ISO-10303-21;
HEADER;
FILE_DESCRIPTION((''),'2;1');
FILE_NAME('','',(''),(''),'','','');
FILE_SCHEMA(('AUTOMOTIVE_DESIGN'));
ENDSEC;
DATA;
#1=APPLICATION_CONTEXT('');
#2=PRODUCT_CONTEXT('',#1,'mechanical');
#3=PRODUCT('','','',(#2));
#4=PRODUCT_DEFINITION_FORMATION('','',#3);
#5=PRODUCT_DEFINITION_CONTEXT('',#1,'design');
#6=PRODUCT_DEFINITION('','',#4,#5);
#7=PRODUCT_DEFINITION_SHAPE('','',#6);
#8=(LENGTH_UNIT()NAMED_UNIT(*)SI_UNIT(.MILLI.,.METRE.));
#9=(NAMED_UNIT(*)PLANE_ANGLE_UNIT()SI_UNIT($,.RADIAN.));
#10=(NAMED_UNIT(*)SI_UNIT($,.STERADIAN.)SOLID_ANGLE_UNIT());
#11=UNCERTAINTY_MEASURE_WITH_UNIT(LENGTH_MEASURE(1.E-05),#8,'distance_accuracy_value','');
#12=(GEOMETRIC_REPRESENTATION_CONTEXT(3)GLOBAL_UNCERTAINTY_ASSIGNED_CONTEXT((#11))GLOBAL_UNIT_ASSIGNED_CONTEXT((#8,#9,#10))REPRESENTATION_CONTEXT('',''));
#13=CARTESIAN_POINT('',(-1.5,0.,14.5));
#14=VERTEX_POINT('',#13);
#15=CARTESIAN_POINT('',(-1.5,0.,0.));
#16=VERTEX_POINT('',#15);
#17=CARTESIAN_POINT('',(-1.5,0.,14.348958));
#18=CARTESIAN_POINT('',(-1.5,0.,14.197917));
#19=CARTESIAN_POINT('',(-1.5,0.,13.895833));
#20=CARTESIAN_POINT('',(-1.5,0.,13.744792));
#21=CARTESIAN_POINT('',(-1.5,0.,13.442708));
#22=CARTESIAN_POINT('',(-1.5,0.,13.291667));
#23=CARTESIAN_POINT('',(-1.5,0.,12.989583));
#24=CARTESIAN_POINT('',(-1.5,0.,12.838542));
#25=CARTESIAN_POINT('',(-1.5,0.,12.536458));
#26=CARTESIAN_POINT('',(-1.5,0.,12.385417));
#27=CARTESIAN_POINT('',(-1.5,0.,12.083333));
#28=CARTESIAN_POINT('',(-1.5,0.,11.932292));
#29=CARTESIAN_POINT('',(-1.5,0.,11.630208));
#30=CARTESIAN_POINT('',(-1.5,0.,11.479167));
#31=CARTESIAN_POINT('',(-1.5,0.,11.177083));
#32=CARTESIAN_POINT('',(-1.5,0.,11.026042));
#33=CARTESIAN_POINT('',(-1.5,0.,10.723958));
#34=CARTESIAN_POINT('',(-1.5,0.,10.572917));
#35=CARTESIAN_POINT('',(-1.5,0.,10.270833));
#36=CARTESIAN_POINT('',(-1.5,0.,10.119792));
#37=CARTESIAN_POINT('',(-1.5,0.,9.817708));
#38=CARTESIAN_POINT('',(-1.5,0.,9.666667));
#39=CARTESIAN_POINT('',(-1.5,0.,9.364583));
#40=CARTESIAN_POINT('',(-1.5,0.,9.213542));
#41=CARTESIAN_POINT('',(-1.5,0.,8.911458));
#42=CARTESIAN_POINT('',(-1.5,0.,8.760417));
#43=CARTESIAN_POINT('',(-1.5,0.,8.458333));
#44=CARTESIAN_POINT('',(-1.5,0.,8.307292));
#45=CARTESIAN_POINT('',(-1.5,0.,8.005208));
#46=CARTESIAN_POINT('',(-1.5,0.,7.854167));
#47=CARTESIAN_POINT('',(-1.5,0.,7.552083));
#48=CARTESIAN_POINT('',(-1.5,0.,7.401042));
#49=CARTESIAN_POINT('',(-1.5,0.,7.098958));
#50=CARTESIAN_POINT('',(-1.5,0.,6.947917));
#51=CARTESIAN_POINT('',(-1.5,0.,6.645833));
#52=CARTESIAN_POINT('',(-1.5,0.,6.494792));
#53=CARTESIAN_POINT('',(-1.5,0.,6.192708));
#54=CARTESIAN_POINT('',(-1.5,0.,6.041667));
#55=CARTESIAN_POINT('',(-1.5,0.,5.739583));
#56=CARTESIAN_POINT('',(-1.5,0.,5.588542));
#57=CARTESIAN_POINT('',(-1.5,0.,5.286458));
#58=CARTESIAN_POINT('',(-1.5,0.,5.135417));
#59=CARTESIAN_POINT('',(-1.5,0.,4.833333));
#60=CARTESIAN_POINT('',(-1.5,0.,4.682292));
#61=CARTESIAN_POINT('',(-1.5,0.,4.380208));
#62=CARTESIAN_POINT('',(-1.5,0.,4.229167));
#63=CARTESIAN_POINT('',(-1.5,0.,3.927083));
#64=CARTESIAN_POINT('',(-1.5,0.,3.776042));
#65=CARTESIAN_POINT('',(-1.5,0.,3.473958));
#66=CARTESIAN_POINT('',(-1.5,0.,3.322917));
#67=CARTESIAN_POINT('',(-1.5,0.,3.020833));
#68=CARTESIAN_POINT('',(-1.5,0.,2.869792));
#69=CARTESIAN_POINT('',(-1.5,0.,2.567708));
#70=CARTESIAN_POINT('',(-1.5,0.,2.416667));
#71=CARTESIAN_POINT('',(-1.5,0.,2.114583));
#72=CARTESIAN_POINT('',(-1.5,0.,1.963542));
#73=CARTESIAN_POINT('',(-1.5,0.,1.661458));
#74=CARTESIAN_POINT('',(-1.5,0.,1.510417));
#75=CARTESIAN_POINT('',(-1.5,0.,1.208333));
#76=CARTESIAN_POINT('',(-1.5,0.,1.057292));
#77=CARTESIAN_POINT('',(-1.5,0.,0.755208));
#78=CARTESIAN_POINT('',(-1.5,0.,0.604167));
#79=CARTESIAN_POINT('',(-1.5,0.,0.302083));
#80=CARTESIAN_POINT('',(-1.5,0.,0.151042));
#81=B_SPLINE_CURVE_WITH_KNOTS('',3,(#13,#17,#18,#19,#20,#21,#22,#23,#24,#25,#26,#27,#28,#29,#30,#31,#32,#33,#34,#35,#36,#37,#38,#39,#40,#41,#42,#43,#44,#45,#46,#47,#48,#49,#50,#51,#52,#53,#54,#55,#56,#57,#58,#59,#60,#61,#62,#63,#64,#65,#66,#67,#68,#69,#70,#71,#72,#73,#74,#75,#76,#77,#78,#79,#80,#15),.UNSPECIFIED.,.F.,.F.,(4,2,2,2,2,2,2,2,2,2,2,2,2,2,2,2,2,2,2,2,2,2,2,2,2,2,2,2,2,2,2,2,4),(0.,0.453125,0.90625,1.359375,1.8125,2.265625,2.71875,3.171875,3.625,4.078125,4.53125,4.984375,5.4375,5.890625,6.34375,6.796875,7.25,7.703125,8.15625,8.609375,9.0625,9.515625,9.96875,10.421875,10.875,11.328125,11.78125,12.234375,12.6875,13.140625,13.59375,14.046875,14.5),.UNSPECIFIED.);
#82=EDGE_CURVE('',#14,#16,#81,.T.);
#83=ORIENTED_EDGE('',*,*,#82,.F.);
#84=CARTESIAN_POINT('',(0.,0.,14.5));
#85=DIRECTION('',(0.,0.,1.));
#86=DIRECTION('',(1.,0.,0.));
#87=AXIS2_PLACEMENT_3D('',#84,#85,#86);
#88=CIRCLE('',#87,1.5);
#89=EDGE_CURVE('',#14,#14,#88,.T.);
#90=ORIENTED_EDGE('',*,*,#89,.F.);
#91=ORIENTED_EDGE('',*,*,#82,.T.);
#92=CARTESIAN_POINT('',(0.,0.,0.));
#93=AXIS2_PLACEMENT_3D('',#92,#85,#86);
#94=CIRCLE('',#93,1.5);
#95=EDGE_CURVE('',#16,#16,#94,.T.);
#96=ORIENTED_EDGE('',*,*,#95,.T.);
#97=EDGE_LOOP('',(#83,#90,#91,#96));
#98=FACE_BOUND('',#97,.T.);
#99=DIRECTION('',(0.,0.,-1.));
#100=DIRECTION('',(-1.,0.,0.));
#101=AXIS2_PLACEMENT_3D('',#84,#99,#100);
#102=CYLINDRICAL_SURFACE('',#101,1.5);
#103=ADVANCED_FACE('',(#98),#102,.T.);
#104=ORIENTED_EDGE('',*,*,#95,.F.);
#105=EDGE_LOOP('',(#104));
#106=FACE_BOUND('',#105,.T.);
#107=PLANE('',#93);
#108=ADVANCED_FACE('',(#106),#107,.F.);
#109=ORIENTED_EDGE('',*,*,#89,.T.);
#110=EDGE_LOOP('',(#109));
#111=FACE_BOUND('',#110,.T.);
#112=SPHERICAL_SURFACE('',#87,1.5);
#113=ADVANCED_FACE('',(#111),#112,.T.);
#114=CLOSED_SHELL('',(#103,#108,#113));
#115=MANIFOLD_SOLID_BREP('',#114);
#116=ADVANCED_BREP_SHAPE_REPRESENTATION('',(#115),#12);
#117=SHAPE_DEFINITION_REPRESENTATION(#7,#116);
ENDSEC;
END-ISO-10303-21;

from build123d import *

# Parameters (mm, degrees)
SKETCH1_R           = 1.5
BOSS_EXTRUDE1_DEPTH = 14.5
DOME1_FACE_RADIUS   = 1.5
DOME1_HEIGHT        = 1.5


with BuildPart() as part:
    # Sketch1 → Boss-Extrude1 (new body)
    with BuildSketch(Plane.XY):
        with Locations(Location((0, 0, 0), (0, 0, 180))):
            Circle(SKETCH1_R)
    extrude(amount=BOSS_EXTRUDE1_DEPTH)

    # Dome1: a dome of height H over a round flat face of radius A is a cap of a sphere of radius (A * A + H * H) / (2 * H)
    dome1_r = (DOME1_FACE_RADIUS * DOME1_FACE_RADIUS + DOME1_HEIGHT * DOME1_HEIGHT) / (2 * DOME1_HEIGHT)
    dome1_base = Plane((0, 0, 14.5), z_dir=(0, 0, 1))
    with Locations(dome1_base.offset(DOME1_HEIGHT - dome1_r)):
        dome1_ball = Sphere(dome1_r, mode=Mode.PRIVATE)
    add(split(dome1_ball, bisect_by=dome1_base, keep=Keep.TOP, mode=Mode.PRIVATE))


solid = part.part
